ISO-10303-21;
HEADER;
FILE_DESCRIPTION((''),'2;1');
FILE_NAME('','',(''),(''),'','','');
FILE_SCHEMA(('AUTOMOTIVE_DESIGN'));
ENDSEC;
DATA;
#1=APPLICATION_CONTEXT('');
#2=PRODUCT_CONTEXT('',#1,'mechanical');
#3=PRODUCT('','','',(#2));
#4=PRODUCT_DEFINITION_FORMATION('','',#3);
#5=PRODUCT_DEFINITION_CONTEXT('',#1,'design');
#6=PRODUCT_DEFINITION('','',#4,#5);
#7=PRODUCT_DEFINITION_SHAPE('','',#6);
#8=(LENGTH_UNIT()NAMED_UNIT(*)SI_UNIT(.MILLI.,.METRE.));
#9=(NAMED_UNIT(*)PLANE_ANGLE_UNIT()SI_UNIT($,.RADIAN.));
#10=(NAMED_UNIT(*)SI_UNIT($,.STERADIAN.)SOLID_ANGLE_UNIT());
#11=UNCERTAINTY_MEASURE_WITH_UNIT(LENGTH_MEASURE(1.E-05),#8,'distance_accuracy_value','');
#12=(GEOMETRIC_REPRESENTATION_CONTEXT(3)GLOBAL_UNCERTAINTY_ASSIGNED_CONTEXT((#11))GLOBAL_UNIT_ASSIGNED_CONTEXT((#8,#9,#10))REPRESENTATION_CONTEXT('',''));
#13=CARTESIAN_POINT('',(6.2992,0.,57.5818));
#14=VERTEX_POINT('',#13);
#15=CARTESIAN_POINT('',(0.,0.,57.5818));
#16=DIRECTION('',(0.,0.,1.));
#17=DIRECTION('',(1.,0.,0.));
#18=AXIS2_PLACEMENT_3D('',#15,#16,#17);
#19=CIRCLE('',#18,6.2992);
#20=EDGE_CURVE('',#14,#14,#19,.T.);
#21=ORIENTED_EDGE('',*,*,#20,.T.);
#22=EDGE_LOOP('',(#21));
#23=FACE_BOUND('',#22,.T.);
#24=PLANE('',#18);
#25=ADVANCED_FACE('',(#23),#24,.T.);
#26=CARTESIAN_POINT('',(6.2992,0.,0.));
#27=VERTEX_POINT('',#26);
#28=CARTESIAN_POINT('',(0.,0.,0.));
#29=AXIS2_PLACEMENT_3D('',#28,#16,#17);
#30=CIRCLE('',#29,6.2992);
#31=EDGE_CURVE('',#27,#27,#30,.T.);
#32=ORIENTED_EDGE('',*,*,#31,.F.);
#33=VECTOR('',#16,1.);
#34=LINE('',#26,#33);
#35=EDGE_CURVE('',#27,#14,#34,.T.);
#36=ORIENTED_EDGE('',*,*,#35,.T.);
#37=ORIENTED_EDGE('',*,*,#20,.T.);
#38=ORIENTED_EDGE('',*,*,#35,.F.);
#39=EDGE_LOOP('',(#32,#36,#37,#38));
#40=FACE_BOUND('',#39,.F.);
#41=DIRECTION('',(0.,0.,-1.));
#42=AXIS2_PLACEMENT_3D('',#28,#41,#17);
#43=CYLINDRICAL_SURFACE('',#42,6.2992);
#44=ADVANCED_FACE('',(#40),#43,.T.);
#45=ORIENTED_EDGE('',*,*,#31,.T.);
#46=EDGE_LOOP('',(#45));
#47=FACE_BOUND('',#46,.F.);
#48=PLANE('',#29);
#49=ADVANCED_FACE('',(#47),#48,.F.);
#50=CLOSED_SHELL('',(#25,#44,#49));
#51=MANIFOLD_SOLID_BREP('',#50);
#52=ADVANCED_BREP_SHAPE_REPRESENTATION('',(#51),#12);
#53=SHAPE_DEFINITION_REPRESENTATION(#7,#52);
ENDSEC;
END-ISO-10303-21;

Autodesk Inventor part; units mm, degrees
ref_plane "YZ Plane" through (0, 0, 0) normal (1, 0, 0) x (0, 1, 0)
ref_plane "XZ Plane" through (0, 0, 0) normal (0, 1, 0) x (-1, 0, 0)
ref_plane "XY Plane" through (0, 0, 0) normal (0, 0, 1) x (1, 0, 0)
sketch "Sketch1" plane through (0, 0, 0) normal (0, 0, 1) x (1, 0, 0)
  circle A0 centre (0, 0) radius 6.2992
  dimension "d0" = 12.5984
extrude "Extrusion1" add sketch "Sketch1" along normal blind 57.5818
properties part number "Axle shaft"
